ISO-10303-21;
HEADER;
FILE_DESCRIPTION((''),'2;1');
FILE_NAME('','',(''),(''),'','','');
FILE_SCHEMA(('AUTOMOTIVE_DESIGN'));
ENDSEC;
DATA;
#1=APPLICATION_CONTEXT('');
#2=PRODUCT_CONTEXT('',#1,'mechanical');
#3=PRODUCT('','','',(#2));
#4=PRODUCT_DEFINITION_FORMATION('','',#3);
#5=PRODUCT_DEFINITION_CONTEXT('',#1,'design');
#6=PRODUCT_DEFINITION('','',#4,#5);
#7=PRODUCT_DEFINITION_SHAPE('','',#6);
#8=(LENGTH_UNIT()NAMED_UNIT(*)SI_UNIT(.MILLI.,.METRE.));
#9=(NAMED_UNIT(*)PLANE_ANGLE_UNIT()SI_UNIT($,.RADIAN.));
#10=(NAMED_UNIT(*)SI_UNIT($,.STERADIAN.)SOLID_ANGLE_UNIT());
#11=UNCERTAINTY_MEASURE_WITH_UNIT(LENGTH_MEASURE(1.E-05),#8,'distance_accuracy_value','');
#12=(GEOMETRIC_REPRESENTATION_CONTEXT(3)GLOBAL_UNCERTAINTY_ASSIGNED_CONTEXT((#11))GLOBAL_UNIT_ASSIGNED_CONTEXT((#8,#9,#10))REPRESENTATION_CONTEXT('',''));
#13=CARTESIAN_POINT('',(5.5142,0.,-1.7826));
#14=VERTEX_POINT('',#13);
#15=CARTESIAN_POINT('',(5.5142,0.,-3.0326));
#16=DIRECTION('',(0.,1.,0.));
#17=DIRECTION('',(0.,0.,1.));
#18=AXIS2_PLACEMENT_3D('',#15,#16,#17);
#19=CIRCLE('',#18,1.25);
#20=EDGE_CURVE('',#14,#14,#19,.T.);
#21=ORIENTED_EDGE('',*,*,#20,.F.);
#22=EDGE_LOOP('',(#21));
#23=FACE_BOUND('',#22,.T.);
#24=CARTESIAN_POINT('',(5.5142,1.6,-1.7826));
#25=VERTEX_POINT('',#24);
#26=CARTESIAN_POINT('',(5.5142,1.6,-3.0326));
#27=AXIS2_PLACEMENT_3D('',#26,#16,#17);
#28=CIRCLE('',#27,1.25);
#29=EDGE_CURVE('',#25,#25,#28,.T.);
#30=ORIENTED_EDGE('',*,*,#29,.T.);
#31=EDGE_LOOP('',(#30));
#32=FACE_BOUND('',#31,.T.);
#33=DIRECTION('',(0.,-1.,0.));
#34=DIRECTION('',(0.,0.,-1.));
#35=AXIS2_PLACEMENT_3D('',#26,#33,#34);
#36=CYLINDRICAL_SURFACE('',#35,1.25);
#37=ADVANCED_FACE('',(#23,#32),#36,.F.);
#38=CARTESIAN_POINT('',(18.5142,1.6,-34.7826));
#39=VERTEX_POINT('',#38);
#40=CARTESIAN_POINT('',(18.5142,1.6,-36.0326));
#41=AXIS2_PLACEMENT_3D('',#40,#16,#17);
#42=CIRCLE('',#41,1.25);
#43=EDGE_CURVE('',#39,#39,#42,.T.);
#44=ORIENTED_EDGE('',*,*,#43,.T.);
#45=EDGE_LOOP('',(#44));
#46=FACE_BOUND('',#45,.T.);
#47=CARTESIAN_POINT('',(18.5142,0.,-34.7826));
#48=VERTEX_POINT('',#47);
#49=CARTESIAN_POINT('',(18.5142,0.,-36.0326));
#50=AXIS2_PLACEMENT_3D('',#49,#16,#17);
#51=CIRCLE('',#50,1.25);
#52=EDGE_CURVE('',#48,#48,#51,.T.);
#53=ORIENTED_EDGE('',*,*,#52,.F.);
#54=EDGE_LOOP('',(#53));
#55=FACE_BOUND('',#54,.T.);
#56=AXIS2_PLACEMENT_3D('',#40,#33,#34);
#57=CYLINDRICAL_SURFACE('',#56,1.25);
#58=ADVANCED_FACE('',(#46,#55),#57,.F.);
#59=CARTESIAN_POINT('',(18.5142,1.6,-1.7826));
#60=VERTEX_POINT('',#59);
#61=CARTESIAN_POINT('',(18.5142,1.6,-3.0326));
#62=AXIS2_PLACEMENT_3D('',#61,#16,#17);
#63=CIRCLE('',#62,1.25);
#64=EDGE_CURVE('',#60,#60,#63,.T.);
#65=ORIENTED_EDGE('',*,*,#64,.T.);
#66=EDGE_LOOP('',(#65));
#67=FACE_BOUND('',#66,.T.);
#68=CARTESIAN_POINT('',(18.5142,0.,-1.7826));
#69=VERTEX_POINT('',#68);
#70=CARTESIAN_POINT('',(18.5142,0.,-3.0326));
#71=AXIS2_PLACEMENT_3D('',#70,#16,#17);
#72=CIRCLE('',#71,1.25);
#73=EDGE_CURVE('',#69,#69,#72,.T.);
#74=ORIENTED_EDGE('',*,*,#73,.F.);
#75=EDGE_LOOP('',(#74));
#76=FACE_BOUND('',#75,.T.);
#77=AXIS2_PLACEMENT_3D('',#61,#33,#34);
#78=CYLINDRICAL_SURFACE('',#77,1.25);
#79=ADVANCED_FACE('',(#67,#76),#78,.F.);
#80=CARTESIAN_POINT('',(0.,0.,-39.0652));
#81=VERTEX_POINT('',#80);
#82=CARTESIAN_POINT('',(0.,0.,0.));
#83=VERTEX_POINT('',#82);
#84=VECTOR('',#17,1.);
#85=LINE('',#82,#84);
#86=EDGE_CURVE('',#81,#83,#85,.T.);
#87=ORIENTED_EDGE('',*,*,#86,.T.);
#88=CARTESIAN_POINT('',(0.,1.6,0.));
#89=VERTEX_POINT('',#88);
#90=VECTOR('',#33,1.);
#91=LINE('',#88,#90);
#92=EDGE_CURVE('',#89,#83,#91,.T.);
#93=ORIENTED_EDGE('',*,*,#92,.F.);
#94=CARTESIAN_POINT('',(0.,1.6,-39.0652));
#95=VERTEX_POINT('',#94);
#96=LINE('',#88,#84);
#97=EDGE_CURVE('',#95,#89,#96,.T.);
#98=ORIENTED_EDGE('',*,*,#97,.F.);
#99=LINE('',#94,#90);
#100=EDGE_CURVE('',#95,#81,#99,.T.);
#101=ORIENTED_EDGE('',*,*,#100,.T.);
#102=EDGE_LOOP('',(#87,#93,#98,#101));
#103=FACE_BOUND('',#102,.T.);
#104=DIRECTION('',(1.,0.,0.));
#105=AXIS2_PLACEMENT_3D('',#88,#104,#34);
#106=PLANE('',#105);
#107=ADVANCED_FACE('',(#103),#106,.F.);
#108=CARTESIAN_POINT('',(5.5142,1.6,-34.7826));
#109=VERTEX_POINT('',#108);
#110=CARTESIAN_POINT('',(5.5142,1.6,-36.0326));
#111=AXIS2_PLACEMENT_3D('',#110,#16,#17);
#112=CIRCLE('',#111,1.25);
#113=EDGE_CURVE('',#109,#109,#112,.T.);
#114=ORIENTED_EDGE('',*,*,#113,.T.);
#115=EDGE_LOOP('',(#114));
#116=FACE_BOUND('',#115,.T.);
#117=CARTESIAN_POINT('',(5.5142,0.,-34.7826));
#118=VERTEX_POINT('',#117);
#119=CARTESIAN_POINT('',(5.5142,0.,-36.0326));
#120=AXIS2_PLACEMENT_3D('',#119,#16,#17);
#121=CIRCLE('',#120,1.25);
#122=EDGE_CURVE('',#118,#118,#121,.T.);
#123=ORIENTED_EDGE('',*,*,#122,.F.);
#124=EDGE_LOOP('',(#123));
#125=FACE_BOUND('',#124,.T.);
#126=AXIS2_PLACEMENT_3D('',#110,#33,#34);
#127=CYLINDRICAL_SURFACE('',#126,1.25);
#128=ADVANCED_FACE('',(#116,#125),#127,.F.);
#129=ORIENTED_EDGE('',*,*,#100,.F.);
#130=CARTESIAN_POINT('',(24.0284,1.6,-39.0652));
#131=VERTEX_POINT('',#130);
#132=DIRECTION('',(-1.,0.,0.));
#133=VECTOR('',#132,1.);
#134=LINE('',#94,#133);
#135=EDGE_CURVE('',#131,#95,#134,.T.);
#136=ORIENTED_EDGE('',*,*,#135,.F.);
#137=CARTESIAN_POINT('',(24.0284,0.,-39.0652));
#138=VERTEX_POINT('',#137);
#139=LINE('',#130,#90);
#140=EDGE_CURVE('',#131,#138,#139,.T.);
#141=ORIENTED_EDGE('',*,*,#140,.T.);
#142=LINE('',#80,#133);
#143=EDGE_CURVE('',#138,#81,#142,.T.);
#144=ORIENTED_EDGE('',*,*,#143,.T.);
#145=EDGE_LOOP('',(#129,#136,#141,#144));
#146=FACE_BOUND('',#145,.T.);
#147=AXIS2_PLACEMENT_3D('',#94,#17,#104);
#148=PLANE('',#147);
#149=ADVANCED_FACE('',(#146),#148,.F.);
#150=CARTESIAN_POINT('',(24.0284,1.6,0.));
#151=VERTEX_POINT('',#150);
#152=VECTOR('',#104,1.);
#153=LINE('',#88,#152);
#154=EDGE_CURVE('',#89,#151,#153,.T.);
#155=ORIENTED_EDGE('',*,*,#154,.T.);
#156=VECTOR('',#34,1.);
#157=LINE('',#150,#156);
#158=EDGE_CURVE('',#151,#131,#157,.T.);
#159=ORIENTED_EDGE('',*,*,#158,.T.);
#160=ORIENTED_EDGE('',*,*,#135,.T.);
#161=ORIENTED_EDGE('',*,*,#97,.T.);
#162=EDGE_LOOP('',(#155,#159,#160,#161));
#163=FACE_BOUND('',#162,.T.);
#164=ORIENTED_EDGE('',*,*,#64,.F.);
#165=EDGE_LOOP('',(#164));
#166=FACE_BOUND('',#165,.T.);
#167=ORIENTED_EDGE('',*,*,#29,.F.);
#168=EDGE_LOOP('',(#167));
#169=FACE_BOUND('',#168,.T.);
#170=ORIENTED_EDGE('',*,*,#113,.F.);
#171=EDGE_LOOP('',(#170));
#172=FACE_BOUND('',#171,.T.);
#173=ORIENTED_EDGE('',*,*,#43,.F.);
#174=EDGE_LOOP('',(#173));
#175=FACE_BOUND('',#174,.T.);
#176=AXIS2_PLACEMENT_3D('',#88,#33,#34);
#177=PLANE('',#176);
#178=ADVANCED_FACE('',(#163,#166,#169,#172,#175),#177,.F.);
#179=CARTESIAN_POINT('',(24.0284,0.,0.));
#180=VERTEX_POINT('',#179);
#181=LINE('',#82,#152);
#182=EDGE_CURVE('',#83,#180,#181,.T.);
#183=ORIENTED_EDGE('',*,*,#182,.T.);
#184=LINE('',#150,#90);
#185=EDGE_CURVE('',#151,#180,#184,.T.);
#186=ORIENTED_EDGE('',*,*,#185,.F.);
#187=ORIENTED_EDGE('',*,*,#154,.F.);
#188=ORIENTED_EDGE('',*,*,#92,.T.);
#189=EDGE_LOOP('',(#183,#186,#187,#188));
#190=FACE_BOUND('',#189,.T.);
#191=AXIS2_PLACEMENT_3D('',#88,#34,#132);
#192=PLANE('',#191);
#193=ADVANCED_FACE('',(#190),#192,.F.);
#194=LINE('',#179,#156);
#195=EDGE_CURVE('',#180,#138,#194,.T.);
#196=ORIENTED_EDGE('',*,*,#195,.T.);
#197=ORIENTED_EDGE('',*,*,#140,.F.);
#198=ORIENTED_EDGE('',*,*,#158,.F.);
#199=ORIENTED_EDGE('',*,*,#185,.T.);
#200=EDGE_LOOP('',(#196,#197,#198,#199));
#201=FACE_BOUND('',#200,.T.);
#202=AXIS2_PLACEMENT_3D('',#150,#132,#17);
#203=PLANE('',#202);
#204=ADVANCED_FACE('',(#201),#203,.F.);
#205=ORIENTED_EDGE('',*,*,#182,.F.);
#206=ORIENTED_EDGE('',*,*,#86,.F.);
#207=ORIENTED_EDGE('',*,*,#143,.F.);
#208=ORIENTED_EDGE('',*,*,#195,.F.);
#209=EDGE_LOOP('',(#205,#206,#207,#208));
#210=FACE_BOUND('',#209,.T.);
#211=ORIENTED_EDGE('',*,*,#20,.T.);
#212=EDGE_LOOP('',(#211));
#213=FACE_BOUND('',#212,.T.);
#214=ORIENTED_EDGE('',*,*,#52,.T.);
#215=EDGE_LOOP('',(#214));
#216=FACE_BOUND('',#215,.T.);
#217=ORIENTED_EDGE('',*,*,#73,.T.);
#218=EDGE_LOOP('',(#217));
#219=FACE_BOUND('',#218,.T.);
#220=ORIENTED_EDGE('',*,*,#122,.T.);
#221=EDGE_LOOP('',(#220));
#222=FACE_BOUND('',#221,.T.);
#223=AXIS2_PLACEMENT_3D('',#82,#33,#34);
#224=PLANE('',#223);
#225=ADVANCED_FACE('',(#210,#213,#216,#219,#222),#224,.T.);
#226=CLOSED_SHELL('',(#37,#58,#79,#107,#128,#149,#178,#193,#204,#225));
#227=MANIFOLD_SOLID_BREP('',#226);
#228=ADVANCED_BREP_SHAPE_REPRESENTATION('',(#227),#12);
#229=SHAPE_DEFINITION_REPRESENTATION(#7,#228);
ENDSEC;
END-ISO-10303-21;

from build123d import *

# Parameters (mm, degrees)
SKETCH1_W           = 24.0284
SKETCH1_H           = 39.0652
SKETCH1_R           = 1.25
BOSS_EXTRUDE1_DEPTH = 1.6


with BuildPart() as part:
    # Sketch1 → Boss-Extrude1 (new body)
    with BuildSketch(Plane(origin=(0, 0, 0), x_dir=(1, 0, 0), z_dir=(0, 1, 0))):
        with Locations((12.0142, 19.5326)):
            Rectangle(SKETCH1_W, SKETCH1_H)
        with Locations(Location((5.5142, 36.0326, 0), (0, 0, 270))):
            Circle(SKETCH1_R, mode=Mode.SUBTRACT)
        with Locations(Location((5.5142, 3.0326, 0), (0, 0, 270))):
            Circle(SKETCH1_R, mode=Mode.SUBTRACT)
        with Locations(Location((18.5142, 36.0326, 0), (0, 0, 270))):
            Circle(SKETCH1_R, mode=Mode.SUBTRACT)
        with Locations(Location((18.5142, 3.0326, 0), (0, 0, 270))):
            Circle(SKETCH1_R, mode=Mode.SUBTRACT)
    extrude(amount=BOSS_EXTRUDE1_DEPTH)


solid = part.part
